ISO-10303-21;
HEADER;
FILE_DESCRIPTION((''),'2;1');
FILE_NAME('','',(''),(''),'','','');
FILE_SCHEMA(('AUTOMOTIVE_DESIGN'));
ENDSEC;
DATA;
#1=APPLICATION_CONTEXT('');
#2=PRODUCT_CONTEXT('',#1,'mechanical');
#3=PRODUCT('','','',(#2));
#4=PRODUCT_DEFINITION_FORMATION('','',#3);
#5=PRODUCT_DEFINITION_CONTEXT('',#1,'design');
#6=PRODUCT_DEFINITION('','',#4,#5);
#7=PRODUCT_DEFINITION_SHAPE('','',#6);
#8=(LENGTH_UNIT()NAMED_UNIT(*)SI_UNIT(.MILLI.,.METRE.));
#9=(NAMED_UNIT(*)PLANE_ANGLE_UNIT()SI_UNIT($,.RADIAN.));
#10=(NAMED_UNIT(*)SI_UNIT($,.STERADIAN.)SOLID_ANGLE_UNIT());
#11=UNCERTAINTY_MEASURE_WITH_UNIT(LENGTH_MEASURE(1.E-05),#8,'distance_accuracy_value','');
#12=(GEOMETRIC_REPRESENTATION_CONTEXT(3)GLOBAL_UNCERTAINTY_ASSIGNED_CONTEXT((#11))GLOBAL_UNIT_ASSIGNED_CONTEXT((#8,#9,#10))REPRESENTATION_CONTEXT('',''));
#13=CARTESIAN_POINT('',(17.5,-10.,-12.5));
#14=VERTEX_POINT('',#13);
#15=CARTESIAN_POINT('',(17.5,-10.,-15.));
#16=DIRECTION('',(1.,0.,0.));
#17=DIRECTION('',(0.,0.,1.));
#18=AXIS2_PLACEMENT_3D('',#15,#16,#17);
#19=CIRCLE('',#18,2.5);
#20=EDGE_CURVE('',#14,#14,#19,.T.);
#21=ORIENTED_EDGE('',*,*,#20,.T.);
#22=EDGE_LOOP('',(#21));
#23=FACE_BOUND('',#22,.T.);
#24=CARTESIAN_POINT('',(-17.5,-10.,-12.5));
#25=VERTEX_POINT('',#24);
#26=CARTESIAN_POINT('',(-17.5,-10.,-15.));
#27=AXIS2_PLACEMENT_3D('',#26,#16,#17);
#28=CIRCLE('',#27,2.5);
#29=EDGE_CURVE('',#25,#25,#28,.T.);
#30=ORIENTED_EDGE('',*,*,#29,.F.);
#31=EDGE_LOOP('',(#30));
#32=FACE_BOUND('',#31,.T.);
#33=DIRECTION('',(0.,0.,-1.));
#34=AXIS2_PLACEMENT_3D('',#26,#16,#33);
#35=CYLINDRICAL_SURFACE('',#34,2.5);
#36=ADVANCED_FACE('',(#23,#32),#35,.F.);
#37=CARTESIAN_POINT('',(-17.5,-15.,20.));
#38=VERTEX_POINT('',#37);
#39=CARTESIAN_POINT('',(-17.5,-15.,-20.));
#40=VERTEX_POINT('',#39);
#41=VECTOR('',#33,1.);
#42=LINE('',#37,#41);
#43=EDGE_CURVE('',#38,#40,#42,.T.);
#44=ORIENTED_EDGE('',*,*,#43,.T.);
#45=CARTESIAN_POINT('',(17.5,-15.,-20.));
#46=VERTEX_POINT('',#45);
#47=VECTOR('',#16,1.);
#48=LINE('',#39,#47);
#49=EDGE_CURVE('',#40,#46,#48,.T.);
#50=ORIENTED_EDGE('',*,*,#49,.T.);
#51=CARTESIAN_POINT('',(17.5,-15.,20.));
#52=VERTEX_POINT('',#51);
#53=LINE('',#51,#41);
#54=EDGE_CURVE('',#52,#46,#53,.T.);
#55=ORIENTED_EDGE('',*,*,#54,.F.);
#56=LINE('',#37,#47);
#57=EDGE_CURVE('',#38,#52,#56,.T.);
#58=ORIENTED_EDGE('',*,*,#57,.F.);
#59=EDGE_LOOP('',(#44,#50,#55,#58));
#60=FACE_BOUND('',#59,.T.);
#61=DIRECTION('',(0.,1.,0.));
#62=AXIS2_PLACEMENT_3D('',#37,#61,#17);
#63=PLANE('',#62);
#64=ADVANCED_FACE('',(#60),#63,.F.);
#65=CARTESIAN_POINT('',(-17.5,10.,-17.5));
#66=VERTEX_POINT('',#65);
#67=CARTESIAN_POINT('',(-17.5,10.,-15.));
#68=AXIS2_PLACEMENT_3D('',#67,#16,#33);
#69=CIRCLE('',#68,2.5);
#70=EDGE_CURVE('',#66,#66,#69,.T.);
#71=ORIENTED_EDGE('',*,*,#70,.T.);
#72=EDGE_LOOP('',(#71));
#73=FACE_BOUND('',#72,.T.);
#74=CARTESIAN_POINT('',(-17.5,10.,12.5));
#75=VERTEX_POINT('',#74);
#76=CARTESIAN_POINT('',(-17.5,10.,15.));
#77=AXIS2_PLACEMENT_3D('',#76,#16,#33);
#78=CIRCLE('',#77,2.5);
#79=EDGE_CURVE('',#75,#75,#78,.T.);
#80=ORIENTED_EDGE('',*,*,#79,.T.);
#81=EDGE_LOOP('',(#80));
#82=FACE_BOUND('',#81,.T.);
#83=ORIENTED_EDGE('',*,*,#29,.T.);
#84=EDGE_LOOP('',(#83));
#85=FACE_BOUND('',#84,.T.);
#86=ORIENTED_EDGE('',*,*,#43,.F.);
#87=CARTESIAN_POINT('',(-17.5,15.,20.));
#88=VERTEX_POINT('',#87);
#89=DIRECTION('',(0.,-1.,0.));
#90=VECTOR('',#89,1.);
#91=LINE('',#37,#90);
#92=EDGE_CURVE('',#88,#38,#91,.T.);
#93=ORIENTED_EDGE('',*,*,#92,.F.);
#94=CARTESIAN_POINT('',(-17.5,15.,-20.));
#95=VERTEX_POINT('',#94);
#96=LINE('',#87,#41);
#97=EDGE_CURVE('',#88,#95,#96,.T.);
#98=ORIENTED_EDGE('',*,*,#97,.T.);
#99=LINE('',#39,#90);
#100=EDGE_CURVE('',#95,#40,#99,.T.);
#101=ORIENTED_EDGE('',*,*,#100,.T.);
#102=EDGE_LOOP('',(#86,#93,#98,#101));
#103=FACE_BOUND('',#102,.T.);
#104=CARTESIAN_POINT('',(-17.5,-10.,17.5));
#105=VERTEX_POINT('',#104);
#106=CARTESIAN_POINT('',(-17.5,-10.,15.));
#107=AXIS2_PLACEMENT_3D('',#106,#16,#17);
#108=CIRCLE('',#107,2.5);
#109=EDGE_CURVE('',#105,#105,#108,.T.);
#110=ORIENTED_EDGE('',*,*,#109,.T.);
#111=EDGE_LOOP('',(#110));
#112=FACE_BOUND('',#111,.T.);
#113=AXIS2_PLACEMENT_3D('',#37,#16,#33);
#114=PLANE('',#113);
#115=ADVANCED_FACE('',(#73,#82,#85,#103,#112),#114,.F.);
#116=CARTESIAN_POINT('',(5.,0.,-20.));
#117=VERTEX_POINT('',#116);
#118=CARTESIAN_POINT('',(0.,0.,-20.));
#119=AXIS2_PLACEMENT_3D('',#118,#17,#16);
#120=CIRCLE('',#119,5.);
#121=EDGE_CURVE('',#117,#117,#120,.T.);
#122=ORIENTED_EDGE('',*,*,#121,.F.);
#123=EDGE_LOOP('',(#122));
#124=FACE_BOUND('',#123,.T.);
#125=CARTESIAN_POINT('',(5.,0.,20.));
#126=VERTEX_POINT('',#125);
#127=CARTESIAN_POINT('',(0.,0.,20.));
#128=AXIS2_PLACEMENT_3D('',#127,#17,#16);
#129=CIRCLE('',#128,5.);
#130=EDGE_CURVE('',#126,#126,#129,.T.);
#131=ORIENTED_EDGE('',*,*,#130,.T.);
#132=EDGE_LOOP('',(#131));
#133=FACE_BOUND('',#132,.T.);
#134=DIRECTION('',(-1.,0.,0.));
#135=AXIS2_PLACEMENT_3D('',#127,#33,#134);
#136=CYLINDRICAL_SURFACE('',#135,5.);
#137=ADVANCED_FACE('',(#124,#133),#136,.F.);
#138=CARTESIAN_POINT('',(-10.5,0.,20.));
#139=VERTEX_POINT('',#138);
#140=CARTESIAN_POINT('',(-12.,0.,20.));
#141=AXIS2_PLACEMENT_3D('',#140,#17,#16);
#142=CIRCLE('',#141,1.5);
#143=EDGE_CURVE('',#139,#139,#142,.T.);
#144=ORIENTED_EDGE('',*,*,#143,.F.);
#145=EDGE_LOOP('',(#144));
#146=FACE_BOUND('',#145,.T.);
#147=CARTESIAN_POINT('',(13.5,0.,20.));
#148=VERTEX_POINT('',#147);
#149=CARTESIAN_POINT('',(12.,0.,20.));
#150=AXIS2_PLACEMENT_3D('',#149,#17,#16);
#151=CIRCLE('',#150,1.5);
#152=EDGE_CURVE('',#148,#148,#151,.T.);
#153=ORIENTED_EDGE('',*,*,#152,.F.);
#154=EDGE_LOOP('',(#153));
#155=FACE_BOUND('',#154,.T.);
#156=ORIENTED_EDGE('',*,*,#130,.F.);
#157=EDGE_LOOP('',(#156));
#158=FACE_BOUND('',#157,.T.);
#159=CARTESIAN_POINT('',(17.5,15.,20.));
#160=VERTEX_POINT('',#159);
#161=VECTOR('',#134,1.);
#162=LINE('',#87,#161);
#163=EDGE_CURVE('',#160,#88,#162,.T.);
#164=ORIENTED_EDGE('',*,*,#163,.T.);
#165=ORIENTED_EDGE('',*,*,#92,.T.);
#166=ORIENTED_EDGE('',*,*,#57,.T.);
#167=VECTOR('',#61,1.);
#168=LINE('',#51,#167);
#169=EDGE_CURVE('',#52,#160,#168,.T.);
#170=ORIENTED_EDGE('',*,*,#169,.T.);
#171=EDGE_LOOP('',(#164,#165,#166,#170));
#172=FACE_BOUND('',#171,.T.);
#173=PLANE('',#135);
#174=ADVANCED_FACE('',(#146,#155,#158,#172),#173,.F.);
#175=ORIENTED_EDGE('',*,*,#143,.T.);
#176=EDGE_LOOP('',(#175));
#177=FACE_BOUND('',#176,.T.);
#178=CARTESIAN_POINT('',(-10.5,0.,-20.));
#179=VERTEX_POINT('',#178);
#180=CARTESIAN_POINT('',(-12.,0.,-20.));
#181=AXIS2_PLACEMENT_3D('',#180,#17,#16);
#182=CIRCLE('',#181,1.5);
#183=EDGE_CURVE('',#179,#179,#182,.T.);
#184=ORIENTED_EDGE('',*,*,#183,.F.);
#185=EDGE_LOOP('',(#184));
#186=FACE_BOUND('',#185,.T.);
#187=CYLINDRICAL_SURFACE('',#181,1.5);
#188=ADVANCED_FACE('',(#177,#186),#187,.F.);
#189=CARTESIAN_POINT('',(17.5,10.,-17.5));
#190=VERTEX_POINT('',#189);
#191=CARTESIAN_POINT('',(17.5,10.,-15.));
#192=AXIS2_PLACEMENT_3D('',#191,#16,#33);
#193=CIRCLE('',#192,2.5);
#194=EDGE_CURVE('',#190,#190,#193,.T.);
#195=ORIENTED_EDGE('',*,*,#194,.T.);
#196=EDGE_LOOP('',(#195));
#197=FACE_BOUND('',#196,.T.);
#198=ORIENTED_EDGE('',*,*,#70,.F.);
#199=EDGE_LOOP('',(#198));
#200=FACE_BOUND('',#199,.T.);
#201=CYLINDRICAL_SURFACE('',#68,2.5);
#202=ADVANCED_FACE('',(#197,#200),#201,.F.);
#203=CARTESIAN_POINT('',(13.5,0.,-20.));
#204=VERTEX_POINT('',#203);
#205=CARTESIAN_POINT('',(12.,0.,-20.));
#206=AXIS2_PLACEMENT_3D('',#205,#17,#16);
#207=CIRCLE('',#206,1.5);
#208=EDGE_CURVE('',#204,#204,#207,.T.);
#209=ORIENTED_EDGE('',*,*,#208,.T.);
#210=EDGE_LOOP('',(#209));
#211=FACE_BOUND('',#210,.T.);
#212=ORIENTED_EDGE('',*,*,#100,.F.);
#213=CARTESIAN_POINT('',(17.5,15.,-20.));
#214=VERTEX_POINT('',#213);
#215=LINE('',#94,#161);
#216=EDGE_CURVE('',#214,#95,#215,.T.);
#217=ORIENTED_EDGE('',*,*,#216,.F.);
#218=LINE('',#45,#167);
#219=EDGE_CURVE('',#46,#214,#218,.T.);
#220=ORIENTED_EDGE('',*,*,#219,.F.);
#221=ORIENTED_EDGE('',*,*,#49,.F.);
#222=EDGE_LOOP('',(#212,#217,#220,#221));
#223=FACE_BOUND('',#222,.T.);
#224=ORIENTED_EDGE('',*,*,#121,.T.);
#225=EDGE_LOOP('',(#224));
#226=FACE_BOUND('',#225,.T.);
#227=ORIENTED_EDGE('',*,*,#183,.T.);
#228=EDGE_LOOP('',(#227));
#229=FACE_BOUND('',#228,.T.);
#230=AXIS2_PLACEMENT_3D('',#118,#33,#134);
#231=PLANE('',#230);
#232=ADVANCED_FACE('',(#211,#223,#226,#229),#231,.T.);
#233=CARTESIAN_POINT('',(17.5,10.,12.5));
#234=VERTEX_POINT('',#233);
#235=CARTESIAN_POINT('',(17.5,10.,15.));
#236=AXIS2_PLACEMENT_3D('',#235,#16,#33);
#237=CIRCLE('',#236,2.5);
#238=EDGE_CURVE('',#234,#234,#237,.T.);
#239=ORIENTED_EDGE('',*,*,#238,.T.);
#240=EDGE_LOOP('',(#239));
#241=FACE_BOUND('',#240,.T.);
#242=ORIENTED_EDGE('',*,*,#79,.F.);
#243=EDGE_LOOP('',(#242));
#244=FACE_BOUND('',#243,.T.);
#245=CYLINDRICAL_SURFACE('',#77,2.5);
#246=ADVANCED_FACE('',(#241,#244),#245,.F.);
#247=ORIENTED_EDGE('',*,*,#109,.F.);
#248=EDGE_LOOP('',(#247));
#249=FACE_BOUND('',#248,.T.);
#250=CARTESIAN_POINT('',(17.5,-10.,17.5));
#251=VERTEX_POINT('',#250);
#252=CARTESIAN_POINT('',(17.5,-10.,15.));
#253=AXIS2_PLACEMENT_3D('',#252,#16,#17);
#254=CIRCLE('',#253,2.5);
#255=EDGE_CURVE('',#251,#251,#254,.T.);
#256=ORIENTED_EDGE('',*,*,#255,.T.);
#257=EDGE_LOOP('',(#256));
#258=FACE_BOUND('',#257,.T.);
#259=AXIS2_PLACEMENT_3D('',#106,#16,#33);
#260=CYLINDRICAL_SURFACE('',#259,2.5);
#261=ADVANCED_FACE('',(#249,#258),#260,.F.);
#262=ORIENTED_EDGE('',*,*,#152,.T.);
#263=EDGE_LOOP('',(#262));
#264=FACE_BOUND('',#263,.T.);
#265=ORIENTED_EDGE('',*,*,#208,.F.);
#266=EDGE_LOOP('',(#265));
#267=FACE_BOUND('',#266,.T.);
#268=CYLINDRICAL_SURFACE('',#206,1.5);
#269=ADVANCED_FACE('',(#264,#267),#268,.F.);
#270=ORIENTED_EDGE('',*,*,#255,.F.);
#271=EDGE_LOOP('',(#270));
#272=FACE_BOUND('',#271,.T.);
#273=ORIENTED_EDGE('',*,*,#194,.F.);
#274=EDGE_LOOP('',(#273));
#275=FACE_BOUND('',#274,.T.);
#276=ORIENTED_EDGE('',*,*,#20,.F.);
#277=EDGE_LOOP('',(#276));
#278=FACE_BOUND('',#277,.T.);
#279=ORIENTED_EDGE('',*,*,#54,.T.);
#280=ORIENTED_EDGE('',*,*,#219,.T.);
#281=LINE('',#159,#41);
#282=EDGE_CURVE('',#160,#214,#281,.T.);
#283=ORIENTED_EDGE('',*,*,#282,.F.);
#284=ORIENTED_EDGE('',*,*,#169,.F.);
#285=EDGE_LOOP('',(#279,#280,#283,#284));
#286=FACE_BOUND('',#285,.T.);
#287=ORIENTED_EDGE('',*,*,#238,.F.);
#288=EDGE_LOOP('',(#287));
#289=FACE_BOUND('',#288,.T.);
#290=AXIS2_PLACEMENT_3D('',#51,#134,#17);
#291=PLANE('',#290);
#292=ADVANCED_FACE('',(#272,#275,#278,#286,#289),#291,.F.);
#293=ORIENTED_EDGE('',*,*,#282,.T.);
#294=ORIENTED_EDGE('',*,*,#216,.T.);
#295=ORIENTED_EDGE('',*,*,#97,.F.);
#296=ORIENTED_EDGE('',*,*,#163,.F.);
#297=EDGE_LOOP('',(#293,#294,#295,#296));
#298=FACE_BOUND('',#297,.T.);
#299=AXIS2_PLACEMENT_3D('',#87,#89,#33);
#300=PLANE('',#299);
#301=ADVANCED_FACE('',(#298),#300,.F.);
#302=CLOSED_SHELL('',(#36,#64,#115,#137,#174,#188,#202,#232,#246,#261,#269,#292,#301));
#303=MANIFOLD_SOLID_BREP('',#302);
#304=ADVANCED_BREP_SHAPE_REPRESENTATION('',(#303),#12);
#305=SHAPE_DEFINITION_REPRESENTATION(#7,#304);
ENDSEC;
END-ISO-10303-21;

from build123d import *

# Parameters (mm, degrees)
SKETCH1_W           = 35
SKETCH1_H           = 30
SKETCH1_R           = 5
BOSS_EXTRUDE1_DEPTH = 20
SKETCH2_R           = 2.5
CUT_EXTRUDE1_DEPTH  = 44.011626335
SKETCH3_R           = 1.5
CUT_EXTRUDE2_DEPTH  = 47.165463282


with BuildPart() as part:
    # Sketch1 → Boss-Extrude1 (new, symmetric)
    with BuildSketch(Plane.XY):
        Rectangle(SKETCH1_W, SKETCH1_H)
        Circle(SKETCH1_R, mode=Mode.SUBTRACT)
    extrude(amount=BOSS_EXTRUDE1_DEPTH, both=True)

    # Sketch2 → Cut-Extrude1 (cut, through all)
    with BuildSketch(Plane(origin=(17.5, 0, 0), x_dir=(0, 0, -1), z_dir=(1, 0, 0))):
        with Locations((-15, 10)):
            Circle(SKETCH2_R)
        with Locations((15, 10)):
            Circle(SKETCH2_R)
        with Locations(Location((15, -10, 0), (0, 0, 180))):
            Circle(SKETCH2_R)
        with Locations(Location((-15, -10, 0), (0, 0, 180))):
            Circle(SKETCH2_R)
    extrude(amount=-CUT_EXTRUDE1_DEPTH, mode=Mode.SUBTRACT)

    # Sketch3 → Cut-Extrude2 (cut, through all)
    with BuildSketch(Plane.XY.offset(20)):
        with Locations((12, 0)):
            Circle(SKETCH3_R)
        with Locations((-12, 0)):
            Circle(SKETCH3_R)
    extrude(amount=-CUT_EXTRUDE2_DEPTH, mode=Mode.SUBTRACT)


solid = part.part
